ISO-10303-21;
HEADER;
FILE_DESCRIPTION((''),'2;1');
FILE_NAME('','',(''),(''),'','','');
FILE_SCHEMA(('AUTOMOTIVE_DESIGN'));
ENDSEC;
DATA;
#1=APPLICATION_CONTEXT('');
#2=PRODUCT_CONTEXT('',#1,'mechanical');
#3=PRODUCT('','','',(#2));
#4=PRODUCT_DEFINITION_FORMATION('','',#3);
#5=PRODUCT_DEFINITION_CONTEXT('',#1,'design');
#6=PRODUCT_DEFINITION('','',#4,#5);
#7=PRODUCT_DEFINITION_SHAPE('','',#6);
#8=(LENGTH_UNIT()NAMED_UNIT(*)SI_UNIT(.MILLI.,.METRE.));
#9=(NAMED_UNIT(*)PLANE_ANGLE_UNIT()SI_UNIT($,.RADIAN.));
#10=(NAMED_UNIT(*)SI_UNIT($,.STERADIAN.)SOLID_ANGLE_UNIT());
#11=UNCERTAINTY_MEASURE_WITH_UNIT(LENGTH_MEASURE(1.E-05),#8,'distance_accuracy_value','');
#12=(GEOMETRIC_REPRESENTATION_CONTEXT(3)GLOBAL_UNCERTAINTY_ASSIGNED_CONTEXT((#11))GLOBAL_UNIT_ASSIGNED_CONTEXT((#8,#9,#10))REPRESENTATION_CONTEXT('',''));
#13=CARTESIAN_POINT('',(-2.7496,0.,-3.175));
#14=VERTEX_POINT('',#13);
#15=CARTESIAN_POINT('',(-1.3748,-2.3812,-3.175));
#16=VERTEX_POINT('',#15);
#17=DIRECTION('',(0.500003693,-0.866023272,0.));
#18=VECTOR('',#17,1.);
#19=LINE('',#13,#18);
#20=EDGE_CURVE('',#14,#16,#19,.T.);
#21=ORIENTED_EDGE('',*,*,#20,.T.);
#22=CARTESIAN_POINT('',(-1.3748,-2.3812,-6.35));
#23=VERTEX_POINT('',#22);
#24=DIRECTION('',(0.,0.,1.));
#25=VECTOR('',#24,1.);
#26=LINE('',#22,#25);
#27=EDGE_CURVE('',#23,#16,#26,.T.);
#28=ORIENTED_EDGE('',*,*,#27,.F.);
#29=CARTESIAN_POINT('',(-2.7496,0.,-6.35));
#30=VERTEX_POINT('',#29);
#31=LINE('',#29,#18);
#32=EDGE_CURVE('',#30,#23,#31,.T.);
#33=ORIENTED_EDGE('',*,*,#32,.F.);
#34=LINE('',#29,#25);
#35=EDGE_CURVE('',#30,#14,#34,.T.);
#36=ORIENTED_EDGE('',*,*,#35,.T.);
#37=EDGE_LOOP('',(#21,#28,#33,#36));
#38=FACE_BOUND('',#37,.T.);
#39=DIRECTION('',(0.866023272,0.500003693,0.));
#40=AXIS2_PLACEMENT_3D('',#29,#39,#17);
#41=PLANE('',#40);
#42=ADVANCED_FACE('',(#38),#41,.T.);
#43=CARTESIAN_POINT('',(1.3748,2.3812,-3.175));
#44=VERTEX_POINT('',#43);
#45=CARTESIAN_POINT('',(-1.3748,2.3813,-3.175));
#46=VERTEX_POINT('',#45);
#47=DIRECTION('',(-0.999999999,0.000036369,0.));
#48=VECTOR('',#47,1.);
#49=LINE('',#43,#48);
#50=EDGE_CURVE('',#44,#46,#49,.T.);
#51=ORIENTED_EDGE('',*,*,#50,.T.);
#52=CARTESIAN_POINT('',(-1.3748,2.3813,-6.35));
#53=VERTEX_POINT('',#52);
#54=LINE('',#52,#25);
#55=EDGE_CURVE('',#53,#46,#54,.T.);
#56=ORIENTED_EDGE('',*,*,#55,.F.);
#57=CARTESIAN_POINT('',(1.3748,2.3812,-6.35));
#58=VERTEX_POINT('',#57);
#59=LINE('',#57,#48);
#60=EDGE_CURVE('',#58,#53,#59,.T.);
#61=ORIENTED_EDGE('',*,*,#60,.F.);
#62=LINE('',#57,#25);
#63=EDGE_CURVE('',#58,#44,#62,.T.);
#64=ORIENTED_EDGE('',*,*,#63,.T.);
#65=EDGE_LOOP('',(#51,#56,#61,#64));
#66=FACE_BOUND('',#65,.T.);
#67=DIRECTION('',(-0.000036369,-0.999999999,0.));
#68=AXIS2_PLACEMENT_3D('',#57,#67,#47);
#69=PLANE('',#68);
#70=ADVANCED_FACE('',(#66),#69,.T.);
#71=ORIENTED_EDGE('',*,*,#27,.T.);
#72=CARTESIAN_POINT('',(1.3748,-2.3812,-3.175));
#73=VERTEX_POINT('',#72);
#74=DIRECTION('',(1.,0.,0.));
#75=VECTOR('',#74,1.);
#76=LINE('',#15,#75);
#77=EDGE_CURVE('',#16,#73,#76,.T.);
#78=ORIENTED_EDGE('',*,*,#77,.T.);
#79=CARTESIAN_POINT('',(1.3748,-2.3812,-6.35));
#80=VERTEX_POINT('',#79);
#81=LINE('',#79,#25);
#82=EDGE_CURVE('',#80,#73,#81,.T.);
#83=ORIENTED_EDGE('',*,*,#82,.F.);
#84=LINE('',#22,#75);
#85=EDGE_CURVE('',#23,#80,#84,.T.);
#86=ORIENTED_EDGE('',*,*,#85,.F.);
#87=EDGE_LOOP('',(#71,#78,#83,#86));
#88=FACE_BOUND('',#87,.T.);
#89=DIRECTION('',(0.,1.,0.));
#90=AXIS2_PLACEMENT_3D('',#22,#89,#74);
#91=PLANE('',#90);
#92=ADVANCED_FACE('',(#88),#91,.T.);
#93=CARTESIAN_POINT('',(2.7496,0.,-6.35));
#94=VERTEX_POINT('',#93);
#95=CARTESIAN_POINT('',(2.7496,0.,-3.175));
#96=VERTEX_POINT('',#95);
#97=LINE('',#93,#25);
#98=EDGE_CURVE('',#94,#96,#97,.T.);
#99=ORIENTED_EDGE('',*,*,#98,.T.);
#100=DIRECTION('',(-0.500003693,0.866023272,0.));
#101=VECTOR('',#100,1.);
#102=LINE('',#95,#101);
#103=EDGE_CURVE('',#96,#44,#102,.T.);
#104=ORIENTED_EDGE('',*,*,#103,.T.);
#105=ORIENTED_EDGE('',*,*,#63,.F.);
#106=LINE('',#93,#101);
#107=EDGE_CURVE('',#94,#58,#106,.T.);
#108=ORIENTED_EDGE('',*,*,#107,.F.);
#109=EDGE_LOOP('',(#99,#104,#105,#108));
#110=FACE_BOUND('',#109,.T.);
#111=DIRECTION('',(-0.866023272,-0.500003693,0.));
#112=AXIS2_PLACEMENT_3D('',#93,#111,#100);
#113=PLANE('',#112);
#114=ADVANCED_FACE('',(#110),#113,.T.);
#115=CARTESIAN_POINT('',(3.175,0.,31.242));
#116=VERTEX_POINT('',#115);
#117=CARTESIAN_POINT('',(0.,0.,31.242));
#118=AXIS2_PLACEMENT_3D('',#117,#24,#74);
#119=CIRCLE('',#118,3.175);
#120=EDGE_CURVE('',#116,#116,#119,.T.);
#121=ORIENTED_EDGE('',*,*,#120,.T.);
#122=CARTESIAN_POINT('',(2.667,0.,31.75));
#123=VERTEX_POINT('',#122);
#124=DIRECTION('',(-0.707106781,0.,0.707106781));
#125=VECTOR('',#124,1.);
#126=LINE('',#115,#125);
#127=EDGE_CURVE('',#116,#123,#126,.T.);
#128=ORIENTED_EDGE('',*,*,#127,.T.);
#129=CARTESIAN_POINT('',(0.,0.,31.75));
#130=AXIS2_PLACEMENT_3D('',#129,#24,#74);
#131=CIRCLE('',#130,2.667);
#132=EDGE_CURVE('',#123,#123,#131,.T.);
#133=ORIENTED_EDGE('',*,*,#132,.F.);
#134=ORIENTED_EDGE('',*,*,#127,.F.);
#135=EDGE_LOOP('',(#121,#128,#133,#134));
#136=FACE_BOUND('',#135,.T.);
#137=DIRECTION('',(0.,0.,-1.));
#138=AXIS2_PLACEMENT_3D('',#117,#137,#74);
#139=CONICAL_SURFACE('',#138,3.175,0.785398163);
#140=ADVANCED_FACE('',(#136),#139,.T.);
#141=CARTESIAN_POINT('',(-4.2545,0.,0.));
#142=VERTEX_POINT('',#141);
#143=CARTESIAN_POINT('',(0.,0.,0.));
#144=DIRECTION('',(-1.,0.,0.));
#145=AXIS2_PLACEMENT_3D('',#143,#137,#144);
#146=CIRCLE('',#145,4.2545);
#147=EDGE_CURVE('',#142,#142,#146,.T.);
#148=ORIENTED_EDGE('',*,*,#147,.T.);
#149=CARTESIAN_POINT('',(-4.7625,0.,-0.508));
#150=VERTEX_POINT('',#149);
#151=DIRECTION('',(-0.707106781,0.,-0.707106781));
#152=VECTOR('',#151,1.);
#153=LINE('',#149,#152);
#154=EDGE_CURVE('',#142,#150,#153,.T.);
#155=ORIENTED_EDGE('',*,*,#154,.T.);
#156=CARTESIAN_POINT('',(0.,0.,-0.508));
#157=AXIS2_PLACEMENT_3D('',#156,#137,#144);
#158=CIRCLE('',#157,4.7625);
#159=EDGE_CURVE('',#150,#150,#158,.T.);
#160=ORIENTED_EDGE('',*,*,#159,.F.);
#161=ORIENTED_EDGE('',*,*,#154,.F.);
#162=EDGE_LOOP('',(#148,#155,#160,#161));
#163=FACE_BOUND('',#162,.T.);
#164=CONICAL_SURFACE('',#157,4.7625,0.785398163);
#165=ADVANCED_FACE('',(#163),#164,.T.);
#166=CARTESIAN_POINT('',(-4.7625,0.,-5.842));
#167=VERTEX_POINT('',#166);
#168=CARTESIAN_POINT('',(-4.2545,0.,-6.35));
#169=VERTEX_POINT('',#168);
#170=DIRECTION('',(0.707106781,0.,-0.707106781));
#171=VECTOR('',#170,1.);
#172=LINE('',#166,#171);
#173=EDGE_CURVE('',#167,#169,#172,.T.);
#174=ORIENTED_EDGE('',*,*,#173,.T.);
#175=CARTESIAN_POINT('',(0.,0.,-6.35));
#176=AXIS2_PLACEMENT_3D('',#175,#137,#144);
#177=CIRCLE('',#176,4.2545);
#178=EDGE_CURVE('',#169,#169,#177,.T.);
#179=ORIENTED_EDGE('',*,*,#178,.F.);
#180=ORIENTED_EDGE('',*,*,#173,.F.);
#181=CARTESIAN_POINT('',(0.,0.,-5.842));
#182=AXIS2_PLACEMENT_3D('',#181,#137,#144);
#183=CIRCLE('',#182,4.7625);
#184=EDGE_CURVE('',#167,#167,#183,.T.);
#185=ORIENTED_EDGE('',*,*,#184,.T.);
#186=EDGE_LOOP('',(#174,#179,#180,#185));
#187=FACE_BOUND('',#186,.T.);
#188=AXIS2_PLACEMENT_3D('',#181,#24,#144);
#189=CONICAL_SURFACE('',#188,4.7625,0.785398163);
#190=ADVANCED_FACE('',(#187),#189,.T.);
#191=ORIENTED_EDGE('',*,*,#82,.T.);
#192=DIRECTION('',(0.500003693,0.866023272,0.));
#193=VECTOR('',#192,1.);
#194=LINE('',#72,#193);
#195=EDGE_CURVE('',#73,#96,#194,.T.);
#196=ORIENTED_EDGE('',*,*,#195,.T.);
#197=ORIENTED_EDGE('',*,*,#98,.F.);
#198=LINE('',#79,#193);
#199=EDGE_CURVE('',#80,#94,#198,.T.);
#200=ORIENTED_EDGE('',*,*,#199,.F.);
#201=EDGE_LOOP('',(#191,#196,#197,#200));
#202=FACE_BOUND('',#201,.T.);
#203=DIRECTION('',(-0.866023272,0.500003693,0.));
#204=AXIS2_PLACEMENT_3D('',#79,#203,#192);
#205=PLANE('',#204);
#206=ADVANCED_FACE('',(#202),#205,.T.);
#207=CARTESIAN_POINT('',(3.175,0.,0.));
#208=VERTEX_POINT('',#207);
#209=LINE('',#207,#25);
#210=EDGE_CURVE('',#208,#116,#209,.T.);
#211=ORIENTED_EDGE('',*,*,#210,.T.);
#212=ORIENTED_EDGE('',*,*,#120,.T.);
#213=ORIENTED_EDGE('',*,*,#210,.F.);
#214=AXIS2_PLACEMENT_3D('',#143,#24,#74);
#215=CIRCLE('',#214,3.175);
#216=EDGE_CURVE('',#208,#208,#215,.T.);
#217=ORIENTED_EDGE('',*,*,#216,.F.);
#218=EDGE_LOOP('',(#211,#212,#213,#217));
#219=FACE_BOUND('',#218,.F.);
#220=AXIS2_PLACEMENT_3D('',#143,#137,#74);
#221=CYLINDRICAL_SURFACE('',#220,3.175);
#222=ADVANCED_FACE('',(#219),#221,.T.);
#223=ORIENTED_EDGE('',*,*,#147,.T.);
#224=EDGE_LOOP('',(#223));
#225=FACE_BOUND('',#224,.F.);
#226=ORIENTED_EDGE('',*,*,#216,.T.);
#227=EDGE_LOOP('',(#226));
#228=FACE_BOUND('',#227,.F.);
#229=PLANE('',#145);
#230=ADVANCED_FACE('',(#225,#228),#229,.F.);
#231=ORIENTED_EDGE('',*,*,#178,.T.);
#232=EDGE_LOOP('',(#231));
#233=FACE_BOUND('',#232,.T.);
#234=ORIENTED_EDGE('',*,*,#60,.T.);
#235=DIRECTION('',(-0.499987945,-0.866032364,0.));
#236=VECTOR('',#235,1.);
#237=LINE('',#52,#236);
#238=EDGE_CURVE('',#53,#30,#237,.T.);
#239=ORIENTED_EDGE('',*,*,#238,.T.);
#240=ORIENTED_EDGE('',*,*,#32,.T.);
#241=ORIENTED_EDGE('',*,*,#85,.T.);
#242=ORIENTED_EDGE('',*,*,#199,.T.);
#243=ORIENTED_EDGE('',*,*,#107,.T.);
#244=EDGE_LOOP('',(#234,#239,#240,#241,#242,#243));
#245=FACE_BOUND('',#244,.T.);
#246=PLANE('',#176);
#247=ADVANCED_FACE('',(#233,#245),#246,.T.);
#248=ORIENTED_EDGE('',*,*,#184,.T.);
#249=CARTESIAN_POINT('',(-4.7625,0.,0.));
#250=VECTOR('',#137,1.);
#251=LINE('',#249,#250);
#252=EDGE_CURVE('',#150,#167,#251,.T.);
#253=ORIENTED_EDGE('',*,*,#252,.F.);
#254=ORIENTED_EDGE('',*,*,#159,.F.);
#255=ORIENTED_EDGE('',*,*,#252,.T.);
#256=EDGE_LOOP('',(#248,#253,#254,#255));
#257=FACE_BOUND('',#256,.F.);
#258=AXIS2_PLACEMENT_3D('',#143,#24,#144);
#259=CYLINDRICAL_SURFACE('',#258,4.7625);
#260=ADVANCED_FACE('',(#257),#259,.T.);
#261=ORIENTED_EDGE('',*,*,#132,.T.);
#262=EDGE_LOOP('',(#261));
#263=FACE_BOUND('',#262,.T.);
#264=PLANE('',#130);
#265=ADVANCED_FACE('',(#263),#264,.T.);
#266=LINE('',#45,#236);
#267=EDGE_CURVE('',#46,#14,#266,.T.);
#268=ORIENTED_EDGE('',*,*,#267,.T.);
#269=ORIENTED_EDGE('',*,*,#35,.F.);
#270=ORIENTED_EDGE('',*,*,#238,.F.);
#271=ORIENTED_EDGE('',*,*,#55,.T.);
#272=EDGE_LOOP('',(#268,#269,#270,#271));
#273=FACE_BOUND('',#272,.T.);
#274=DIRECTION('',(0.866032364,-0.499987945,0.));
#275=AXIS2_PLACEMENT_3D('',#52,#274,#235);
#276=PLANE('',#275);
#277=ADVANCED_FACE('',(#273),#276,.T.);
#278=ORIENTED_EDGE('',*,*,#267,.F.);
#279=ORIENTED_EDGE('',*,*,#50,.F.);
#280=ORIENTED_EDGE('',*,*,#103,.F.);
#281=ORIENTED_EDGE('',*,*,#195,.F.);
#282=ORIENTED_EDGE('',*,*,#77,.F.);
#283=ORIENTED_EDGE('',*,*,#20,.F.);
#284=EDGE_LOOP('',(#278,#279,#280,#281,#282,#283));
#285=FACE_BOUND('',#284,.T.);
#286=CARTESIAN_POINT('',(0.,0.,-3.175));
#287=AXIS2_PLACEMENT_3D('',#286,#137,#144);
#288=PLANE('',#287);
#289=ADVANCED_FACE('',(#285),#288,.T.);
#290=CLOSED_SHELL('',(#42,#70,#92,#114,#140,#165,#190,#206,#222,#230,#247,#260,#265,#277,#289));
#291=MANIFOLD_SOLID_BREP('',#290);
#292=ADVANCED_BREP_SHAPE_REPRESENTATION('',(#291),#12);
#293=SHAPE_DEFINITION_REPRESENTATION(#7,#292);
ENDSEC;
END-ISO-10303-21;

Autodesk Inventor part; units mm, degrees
ref_plane "YZ Plane" through (0, 0, 0) normal (1, 0, 0) x (0, 1, 0)
ref_plane "XZ Plane" through (0, 0, 0) normal (0, 1, 0) x (-1, 0, 0)
ref_plane "XY Plane" through (0, 0, 0) normal (0, 0, 1) x (1, 0, 0)
sketch "Sketch1" plane through (0, 0, 0) normal (0, 0, 1) x (1, 0, 0)
  circle A0 centre (0, 0) radius 3.175
  dimension "d0" = 6.35
extrude "Extrusion1" add sketch "Sketch1" along normal blind 31.75
sketch "Sketch2" plane through (0, 0, 0) normal (0, 0, -1) x (-1, 0, 0)
  circle A0 centre (0, 0) radius 3.175 projected
  circle A1 centre (0, 0) radius 4.7625
  dimension "d3" = 9.525
extrude "Extrusion2" add sketch "Sketch2" along normal blind 6.35 contours A0 | A1
sketch "Sketch3" plane through (0, 0, -6.35) normal (0, 0, -1) x (-1, 0, 0)
  circle A0 centre (0, 0) radius 4.7625 projected
  line L0 (-1.3748, 2.3812) -> (1.3748, 2.3813)
  line L1 (1.3748, 2.3813) -> (2.7496, 0)
  line L2 (2.7496, 0) -> (1.3748, -2.3812)
  line L3 (1.3748, -2.3812) -> (-1.3748, -2.3812)
  line L4 (-1.3748, -2.3812) -> (-2.7496, 0)
  line L5 (-2.7496, 0) -> (-1.3748, 2.3812)
  dimension "d6" = 4.7625
extrude "Extrusion3" cut sketch "Sketch3" against normal blind 3.175 contours L0 L1 L2 L3 L4 L5
chamfer "Chamfer1" distance 0.508 angle 45 3 edges at (-3.175, 0, 31.75) (4.7625, 0, 0) (4.7625, 0, -6.35)
thread "Thread1" size "1/4-20 UNC" class "2A" standard "ANSI Unified Screw Threads" length 25.4
properties part number "14-20 x750" material "Steel"
